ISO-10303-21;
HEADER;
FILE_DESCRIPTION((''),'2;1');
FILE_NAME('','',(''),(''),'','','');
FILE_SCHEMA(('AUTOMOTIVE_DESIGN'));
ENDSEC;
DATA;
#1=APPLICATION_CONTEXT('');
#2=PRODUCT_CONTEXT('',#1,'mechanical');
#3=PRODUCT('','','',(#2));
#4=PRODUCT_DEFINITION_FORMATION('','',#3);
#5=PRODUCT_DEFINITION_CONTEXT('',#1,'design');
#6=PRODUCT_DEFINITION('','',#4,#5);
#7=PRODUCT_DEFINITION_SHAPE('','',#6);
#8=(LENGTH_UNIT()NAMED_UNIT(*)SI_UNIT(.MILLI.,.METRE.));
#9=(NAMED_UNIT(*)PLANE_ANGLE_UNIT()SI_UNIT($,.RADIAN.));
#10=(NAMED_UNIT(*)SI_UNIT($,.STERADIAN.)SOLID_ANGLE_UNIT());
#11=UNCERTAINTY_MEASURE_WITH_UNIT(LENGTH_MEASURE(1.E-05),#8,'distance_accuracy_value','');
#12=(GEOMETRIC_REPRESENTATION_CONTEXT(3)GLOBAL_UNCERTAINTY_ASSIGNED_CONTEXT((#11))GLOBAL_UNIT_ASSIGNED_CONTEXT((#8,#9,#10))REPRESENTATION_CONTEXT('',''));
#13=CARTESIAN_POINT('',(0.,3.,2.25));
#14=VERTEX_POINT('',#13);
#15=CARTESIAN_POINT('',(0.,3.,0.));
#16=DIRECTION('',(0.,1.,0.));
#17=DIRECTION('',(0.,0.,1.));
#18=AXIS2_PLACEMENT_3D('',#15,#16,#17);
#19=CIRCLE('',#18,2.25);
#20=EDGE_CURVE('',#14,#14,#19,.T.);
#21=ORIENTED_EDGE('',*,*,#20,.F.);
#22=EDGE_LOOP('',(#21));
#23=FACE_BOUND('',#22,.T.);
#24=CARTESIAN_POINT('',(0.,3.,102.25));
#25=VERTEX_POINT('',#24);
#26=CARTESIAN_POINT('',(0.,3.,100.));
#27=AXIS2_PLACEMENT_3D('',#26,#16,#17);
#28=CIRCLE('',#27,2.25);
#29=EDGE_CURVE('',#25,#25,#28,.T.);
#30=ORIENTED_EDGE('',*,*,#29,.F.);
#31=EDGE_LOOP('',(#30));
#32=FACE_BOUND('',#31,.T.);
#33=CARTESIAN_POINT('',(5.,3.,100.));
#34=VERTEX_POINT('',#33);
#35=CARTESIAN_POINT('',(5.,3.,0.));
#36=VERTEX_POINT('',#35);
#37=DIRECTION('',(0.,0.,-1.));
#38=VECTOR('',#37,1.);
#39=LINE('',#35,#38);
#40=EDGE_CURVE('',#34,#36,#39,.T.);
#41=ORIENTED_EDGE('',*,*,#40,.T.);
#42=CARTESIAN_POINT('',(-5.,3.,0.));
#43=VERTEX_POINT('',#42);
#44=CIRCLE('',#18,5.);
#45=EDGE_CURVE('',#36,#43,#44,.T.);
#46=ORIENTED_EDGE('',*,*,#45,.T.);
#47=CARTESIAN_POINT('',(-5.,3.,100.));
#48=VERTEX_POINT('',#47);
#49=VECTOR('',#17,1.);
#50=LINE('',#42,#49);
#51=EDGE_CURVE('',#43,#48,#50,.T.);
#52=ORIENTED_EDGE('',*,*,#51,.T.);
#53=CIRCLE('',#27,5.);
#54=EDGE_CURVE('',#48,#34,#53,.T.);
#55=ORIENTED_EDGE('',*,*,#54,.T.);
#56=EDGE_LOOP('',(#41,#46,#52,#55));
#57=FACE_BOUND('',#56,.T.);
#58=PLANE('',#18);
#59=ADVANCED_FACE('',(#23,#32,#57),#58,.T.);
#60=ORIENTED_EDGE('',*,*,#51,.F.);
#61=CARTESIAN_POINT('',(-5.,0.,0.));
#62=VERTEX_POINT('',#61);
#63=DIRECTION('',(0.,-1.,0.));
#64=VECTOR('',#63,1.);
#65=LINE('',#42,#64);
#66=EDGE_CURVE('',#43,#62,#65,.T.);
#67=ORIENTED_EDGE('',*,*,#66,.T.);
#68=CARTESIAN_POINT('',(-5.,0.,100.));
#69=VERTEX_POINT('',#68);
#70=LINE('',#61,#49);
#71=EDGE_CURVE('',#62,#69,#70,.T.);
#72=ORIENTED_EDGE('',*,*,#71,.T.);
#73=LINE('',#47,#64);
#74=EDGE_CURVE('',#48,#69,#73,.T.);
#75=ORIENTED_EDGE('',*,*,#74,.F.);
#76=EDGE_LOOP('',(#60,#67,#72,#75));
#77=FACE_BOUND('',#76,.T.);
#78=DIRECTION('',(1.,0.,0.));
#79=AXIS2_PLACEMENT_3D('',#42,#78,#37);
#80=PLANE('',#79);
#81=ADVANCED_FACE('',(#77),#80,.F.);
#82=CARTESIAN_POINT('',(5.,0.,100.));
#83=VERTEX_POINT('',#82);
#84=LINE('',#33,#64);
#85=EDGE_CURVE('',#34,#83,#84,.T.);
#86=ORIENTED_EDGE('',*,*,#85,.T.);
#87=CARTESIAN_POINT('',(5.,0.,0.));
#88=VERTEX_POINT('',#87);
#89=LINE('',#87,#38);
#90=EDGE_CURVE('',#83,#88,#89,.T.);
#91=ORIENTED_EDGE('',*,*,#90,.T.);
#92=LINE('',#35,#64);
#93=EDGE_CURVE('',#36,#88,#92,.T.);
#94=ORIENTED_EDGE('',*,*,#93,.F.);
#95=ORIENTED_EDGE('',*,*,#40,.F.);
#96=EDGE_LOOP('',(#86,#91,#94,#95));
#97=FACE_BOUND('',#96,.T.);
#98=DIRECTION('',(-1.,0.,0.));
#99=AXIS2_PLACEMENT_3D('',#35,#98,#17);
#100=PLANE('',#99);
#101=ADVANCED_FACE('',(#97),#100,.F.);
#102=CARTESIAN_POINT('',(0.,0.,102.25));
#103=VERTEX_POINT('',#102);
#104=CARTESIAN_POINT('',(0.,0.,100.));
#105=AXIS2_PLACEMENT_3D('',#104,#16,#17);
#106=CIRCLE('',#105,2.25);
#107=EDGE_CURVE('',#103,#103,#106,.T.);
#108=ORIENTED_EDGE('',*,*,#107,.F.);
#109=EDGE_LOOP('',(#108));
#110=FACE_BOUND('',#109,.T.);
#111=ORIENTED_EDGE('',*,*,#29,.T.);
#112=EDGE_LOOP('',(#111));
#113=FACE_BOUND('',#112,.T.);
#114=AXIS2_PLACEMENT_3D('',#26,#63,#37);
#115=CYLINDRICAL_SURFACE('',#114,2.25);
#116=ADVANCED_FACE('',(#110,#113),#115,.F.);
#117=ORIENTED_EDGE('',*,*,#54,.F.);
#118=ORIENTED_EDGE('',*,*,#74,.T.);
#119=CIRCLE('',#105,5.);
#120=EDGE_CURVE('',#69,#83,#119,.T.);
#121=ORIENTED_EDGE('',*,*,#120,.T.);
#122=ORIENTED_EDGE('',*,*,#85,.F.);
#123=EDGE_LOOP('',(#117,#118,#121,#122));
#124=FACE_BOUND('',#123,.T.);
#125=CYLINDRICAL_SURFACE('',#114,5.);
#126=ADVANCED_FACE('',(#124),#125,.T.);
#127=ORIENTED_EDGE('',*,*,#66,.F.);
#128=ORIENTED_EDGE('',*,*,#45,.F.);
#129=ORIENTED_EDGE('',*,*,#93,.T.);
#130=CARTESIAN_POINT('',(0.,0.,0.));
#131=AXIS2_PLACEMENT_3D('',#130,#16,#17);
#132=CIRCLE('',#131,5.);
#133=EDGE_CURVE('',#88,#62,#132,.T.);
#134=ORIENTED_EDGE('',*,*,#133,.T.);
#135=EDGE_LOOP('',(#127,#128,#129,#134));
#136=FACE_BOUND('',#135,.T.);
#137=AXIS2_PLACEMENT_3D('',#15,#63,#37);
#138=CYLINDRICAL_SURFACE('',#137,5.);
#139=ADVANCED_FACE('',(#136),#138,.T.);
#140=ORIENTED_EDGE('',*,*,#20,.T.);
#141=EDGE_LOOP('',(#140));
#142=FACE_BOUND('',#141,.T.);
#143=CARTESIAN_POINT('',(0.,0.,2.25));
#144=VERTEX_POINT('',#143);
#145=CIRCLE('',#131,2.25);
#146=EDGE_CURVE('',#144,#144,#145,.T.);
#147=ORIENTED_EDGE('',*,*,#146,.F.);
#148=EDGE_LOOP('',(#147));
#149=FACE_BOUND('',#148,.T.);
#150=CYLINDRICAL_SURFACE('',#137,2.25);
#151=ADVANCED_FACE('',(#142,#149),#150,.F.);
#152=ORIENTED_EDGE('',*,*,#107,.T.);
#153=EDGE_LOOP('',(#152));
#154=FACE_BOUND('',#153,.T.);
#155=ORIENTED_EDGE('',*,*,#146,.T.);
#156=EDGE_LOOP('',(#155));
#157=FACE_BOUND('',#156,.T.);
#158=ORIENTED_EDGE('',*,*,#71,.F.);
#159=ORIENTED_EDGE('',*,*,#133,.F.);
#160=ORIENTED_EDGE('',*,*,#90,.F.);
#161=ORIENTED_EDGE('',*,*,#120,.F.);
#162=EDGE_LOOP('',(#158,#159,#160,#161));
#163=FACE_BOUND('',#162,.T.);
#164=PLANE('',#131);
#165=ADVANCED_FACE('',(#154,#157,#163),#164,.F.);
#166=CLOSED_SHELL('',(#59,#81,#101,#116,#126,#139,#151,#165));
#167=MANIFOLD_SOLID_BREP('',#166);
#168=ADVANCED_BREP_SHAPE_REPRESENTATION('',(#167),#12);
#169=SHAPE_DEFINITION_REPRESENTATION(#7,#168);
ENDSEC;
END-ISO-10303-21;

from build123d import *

# Parameters (mm, degrees)
SKETCH_1_R      = 2.25
EXTRUDE_1_DEPTH = 3


with BuildPart() as part:
    # 草图1 → 凸台-拉伸1 (new body)
    with BuildSketch(Plane(origin=(0, 0, 0), x_dir=(1, 0, 0), z_dir=(0, 1, 0))):
        with BuildLine():
            Line((5, 0), (5, -100))
            ThreePointArc((5, -100), (0, -105), (-5, -100))
            Line((-5, -100), (-5, 0))
            ThreePointArc((-5, 0), (0, 5), (5, 0))
        make_face()
        with Locations(Location((0, 0, 0), (0, 0, 270))):
            Circle(SKETCH_1_R, mode=Mode.SUBTRACT)
        with Locations(Location((0, -100, 0), (0, 0, 270))):
            Circle(SKETCH_1_R, mode=Mode.SUBTRACT)
    extrude(amount=EXTRUDE_1_DEPTH)


solid = part.part
